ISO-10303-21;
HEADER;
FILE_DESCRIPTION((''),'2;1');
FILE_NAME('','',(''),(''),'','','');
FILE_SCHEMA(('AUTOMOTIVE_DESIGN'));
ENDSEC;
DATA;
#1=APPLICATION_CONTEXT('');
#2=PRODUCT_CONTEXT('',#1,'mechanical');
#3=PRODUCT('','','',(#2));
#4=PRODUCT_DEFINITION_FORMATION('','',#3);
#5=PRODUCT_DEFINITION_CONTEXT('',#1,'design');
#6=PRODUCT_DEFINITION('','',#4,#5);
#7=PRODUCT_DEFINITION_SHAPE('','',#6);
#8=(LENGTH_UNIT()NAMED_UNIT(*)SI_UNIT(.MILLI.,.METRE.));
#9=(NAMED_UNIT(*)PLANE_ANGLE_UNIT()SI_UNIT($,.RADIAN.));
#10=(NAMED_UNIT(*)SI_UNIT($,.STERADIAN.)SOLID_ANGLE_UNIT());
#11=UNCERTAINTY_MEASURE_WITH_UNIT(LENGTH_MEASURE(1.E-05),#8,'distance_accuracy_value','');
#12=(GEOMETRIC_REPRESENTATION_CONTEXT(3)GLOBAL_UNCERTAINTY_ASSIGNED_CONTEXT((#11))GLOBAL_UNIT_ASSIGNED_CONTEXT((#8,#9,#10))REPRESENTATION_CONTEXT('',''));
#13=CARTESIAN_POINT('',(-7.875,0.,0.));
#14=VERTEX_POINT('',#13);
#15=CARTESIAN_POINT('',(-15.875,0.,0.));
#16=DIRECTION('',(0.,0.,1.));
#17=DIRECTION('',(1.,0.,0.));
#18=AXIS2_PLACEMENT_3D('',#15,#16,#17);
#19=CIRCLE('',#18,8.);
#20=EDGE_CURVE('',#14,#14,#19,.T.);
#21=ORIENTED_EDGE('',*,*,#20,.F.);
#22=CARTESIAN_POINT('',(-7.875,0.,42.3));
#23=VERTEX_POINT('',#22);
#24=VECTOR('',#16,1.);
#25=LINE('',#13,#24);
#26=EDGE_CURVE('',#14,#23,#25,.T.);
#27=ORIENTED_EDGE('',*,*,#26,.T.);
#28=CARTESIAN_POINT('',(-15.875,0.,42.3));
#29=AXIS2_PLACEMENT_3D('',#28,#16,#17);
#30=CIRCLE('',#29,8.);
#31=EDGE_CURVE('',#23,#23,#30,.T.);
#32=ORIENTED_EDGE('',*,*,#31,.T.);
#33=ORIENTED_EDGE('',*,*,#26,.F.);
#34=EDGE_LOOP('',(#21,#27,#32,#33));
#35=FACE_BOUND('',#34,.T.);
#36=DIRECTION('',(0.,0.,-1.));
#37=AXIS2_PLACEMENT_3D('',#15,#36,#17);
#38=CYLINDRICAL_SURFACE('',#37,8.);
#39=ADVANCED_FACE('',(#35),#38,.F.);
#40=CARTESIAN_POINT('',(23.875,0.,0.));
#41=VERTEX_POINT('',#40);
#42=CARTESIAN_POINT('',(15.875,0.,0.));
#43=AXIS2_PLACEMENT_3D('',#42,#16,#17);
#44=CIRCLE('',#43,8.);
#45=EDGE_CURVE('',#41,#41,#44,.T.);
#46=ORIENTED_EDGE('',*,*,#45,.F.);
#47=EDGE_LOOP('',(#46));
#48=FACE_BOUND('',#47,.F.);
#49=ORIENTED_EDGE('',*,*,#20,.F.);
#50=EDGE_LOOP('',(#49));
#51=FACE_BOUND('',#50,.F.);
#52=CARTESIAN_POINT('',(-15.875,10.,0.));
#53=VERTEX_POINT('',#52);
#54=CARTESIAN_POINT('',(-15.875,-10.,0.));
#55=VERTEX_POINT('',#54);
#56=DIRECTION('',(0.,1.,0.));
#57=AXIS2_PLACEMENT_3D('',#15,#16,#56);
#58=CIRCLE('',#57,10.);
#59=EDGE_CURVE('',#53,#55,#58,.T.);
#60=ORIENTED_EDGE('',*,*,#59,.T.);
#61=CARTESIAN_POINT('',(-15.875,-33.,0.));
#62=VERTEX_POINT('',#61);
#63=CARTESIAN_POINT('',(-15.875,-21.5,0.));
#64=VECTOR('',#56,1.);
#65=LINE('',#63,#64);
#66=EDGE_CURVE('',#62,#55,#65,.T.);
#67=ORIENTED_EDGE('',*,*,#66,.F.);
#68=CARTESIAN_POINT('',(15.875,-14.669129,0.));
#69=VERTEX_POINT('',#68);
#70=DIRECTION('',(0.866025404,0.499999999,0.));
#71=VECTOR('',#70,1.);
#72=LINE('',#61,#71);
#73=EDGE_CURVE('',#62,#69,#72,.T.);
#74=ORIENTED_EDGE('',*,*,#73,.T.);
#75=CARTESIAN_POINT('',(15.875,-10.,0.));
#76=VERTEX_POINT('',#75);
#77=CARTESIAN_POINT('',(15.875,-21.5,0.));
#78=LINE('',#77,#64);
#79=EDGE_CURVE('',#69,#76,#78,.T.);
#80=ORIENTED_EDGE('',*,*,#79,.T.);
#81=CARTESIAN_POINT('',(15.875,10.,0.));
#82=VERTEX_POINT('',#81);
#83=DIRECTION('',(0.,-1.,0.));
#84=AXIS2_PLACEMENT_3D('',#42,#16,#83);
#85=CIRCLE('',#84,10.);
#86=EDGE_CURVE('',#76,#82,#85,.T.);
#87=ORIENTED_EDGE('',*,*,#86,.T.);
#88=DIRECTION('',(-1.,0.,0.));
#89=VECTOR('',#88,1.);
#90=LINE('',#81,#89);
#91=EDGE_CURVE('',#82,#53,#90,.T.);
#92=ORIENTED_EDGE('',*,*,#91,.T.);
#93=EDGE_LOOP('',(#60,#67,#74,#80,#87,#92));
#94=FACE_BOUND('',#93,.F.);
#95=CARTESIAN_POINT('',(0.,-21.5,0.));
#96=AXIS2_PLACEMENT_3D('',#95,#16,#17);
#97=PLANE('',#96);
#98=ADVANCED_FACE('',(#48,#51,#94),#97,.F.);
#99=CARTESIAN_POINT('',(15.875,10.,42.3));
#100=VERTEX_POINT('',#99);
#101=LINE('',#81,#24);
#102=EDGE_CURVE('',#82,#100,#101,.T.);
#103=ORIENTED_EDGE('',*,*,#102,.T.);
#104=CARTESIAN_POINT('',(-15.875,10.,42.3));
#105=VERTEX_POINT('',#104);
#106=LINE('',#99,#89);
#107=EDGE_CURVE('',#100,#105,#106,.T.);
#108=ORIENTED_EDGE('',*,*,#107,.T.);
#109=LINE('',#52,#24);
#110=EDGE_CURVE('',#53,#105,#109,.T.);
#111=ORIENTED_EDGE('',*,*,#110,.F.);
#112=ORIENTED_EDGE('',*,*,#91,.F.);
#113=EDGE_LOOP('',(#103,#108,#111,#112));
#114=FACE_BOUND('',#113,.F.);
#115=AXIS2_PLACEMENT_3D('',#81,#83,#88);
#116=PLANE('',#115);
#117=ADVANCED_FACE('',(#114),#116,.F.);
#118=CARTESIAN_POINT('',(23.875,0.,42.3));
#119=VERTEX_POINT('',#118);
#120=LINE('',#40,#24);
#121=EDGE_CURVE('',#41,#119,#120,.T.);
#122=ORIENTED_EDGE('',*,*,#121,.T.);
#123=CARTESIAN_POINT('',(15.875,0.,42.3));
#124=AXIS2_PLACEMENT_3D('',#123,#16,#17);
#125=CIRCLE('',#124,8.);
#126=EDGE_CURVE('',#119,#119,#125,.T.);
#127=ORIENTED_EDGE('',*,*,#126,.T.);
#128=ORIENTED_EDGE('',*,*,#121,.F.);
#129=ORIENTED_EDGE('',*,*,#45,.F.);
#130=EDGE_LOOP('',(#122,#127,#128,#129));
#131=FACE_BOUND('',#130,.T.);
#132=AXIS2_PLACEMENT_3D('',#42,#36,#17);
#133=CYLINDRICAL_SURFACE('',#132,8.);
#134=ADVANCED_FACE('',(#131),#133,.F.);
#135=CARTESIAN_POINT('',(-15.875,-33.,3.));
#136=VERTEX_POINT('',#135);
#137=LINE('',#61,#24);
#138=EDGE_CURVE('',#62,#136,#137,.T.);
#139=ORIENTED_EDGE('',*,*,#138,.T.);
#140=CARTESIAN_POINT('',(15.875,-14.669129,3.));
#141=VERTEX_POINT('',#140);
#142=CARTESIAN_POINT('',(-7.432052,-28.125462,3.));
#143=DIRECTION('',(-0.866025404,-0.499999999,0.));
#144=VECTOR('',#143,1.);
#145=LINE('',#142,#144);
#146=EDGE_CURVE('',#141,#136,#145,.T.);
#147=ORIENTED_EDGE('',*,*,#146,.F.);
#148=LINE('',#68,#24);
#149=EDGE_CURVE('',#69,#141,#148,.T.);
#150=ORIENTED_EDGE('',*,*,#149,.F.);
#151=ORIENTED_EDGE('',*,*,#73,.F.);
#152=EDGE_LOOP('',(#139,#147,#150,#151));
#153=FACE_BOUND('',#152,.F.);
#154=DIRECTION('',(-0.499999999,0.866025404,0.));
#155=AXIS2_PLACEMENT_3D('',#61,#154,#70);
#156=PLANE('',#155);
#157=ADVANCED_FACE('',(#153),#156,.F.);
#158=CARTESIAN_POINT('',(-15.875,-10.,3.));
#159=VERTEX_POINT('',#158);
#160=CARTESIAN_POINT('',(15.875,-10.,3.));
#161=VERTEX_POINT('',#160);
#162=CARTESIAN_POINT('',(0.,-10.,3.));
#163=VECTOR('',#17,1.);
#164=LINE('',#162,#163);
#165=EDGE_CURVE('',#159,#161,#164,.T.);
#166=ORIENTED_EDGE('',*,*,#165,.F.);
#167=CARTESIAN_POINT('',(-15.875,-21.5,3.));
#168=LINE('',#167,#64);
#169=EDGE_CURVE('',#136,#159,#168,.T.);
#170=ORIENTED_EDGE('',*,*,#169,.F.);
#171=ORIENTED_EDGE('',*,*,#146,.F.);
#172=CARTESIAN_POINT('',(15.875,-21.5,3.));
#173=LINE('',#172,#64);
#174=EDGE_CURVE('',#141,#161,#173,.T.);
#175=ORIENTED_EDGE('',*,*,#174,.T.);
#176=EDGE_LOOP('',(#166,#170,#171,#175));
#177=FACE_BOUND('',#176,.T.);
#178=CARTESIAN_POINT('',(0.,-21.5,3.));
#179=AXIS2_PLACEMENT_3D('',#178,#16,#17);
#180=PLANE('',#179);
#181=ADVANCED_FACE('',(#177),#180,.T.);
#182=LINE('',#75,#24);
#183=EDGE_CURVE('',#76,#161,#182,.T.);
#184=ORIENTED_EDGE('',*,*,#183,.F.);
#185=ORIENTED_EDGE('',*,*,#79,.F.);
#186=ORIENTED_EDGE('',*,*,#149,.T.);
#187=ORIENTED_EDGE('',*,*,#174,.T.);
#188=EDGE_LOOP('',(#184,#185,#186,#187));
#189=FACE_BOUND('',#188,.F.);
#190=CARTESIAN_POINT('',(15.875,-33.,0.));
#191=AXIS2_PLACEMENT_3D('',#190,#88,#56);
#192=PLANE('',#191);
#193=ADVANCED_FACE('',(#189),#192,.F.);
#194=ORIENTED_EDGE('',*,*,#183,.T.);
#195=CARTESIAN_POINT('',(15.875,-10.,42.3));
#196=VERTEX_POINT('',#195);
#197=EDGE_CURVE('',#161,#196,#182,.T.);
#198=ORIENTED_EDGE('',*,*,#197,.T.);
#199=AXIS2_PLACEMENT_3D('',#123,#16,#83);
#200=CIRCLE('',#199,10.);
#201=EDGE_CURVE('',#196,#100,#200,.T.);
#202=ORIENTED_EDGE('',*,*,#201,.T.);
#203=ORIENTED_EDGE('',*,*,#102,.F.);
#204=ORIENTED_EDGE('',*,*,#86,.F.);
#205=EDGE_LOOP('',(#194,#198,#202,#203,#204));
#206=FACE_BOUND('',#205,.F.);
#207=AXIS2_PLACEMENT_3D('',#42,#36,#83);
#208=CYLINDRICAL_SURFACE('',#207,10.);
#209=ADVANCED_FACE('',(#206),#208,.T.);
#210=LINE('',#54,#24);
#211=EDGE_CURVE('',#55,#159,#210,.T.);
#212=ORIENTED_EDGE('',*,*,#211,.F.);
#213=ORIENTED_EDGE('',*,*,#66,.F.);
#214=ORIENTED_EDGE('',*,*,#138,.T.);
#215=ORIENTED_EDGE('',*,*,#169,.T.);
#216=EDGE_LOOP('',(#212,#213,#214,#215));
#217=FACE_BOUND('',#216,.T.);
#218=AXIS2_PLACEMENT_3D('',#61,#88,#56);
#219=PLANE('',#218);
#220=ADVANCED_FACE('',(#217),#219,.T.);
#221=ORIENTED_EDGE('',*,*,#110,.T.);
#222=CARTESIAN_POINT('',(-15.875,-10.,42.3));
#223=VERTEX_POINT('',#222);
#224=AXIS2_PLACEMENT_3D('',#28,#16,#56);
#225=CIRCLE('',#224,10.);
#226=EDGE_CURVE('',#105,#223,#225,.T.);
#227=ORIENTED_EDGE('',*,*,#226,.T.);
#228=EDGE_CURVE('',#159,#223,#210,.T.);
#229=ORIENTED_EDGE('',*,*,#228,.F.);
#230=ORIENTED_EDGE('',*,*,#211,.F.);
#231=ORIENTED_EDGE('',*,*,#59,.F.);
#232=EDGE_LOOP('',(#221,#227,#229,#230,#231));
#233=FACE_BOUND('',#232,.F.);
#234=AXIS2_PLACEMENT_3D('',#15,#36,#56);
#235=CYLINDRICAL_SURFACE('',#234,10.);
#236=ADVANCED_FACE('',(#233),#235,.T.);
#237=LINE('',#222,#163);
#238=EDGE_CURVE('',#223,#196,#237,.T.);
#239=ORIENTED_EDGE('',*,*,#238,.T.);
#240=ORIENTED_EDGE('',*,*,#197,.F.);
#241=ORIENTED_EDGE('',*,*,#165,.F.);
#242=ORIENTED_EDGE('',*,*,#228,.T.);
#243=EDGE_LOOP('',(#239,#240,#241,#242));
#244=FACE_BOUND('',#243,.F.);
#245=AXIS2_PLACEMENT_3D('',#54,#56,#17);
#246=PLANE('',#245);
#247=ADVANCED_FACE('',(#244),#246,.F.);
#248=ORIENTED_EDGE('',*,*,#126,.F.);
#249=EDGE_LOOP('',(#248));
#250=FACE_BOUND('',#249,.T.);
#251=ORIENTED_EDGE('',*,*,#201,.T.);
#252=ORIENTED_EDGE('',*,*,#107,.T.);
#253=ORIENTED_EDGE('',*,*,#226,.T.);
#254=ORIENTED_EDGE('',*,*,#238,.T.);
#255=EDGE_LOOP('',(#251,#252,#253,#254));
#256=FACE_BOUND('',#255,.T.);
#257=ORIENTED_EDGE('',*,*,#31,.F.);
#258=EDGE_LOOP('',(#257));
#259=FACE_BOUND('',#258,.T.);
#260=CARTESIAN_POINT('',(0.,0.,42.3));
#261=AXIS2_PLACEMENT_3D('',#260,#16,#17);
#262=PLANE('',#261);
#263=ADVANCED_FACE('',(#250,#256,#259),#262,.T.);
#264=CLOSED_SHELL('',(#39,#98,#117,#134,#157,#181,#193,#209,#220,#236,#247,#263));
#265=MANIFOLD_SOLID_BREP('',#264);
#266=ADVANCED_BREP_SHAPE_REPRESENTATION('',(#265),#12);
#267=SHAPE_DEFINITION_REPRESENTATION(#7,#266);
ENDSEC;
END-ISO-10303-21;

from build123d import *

# Parameters (mm, degrees)
F0_R     = 8
F1_DEPTH = 42.3
F2_W     = 31.75
F2_H     = 23
F3_DEPTH = 3
F5_DEPTH = 25


with BuildPart() as f1:
    # F0 (on Top) → F1 (new body)
    with BuildSketch(Plane.XY):
        with BuildLine():
            Line((-15.875, -10), (15.875, -10))
            ThreePointArc((15.875, -10), (25.875, 0), (15.875, 10))
            Line((15.875, 10), (-15.875, 10))
            ThreePointArc((-15.875, 10), (-25.875, 0), (-15.875, -10))
        make_face()
        with Locations((-15.875, 0)):
            Circle(F0_R, mode=Mode.SUBTRACT)
        with Locations((15.875, 0)):
            Circle(F0_R, mode=Mode.SUBTRACT)
    extrude(amount=F1_DEPTH)

    # F2 (on Top) → F3 (join)
    with BuildSketch(Plane.XY):
        with Locations((0, -21.5)):
            Rectangle(F2_W, F2_H)
    extrude(amount=F3_DEPTH)

    # F4 (on face) → F5 (cut)
    with BuildSketch(Plane(origin=(0, 0, 0), x_dir=(1, 0, 0), z_dir=(0, 0, -1))):
        Polygon((15.875, 33), (-15.875, 33), (15.875, 14.669129), align=None)
    extrude(amount=-F5_DEPTH, mode=Mode.SUBTRACT)


solid = f1.part
